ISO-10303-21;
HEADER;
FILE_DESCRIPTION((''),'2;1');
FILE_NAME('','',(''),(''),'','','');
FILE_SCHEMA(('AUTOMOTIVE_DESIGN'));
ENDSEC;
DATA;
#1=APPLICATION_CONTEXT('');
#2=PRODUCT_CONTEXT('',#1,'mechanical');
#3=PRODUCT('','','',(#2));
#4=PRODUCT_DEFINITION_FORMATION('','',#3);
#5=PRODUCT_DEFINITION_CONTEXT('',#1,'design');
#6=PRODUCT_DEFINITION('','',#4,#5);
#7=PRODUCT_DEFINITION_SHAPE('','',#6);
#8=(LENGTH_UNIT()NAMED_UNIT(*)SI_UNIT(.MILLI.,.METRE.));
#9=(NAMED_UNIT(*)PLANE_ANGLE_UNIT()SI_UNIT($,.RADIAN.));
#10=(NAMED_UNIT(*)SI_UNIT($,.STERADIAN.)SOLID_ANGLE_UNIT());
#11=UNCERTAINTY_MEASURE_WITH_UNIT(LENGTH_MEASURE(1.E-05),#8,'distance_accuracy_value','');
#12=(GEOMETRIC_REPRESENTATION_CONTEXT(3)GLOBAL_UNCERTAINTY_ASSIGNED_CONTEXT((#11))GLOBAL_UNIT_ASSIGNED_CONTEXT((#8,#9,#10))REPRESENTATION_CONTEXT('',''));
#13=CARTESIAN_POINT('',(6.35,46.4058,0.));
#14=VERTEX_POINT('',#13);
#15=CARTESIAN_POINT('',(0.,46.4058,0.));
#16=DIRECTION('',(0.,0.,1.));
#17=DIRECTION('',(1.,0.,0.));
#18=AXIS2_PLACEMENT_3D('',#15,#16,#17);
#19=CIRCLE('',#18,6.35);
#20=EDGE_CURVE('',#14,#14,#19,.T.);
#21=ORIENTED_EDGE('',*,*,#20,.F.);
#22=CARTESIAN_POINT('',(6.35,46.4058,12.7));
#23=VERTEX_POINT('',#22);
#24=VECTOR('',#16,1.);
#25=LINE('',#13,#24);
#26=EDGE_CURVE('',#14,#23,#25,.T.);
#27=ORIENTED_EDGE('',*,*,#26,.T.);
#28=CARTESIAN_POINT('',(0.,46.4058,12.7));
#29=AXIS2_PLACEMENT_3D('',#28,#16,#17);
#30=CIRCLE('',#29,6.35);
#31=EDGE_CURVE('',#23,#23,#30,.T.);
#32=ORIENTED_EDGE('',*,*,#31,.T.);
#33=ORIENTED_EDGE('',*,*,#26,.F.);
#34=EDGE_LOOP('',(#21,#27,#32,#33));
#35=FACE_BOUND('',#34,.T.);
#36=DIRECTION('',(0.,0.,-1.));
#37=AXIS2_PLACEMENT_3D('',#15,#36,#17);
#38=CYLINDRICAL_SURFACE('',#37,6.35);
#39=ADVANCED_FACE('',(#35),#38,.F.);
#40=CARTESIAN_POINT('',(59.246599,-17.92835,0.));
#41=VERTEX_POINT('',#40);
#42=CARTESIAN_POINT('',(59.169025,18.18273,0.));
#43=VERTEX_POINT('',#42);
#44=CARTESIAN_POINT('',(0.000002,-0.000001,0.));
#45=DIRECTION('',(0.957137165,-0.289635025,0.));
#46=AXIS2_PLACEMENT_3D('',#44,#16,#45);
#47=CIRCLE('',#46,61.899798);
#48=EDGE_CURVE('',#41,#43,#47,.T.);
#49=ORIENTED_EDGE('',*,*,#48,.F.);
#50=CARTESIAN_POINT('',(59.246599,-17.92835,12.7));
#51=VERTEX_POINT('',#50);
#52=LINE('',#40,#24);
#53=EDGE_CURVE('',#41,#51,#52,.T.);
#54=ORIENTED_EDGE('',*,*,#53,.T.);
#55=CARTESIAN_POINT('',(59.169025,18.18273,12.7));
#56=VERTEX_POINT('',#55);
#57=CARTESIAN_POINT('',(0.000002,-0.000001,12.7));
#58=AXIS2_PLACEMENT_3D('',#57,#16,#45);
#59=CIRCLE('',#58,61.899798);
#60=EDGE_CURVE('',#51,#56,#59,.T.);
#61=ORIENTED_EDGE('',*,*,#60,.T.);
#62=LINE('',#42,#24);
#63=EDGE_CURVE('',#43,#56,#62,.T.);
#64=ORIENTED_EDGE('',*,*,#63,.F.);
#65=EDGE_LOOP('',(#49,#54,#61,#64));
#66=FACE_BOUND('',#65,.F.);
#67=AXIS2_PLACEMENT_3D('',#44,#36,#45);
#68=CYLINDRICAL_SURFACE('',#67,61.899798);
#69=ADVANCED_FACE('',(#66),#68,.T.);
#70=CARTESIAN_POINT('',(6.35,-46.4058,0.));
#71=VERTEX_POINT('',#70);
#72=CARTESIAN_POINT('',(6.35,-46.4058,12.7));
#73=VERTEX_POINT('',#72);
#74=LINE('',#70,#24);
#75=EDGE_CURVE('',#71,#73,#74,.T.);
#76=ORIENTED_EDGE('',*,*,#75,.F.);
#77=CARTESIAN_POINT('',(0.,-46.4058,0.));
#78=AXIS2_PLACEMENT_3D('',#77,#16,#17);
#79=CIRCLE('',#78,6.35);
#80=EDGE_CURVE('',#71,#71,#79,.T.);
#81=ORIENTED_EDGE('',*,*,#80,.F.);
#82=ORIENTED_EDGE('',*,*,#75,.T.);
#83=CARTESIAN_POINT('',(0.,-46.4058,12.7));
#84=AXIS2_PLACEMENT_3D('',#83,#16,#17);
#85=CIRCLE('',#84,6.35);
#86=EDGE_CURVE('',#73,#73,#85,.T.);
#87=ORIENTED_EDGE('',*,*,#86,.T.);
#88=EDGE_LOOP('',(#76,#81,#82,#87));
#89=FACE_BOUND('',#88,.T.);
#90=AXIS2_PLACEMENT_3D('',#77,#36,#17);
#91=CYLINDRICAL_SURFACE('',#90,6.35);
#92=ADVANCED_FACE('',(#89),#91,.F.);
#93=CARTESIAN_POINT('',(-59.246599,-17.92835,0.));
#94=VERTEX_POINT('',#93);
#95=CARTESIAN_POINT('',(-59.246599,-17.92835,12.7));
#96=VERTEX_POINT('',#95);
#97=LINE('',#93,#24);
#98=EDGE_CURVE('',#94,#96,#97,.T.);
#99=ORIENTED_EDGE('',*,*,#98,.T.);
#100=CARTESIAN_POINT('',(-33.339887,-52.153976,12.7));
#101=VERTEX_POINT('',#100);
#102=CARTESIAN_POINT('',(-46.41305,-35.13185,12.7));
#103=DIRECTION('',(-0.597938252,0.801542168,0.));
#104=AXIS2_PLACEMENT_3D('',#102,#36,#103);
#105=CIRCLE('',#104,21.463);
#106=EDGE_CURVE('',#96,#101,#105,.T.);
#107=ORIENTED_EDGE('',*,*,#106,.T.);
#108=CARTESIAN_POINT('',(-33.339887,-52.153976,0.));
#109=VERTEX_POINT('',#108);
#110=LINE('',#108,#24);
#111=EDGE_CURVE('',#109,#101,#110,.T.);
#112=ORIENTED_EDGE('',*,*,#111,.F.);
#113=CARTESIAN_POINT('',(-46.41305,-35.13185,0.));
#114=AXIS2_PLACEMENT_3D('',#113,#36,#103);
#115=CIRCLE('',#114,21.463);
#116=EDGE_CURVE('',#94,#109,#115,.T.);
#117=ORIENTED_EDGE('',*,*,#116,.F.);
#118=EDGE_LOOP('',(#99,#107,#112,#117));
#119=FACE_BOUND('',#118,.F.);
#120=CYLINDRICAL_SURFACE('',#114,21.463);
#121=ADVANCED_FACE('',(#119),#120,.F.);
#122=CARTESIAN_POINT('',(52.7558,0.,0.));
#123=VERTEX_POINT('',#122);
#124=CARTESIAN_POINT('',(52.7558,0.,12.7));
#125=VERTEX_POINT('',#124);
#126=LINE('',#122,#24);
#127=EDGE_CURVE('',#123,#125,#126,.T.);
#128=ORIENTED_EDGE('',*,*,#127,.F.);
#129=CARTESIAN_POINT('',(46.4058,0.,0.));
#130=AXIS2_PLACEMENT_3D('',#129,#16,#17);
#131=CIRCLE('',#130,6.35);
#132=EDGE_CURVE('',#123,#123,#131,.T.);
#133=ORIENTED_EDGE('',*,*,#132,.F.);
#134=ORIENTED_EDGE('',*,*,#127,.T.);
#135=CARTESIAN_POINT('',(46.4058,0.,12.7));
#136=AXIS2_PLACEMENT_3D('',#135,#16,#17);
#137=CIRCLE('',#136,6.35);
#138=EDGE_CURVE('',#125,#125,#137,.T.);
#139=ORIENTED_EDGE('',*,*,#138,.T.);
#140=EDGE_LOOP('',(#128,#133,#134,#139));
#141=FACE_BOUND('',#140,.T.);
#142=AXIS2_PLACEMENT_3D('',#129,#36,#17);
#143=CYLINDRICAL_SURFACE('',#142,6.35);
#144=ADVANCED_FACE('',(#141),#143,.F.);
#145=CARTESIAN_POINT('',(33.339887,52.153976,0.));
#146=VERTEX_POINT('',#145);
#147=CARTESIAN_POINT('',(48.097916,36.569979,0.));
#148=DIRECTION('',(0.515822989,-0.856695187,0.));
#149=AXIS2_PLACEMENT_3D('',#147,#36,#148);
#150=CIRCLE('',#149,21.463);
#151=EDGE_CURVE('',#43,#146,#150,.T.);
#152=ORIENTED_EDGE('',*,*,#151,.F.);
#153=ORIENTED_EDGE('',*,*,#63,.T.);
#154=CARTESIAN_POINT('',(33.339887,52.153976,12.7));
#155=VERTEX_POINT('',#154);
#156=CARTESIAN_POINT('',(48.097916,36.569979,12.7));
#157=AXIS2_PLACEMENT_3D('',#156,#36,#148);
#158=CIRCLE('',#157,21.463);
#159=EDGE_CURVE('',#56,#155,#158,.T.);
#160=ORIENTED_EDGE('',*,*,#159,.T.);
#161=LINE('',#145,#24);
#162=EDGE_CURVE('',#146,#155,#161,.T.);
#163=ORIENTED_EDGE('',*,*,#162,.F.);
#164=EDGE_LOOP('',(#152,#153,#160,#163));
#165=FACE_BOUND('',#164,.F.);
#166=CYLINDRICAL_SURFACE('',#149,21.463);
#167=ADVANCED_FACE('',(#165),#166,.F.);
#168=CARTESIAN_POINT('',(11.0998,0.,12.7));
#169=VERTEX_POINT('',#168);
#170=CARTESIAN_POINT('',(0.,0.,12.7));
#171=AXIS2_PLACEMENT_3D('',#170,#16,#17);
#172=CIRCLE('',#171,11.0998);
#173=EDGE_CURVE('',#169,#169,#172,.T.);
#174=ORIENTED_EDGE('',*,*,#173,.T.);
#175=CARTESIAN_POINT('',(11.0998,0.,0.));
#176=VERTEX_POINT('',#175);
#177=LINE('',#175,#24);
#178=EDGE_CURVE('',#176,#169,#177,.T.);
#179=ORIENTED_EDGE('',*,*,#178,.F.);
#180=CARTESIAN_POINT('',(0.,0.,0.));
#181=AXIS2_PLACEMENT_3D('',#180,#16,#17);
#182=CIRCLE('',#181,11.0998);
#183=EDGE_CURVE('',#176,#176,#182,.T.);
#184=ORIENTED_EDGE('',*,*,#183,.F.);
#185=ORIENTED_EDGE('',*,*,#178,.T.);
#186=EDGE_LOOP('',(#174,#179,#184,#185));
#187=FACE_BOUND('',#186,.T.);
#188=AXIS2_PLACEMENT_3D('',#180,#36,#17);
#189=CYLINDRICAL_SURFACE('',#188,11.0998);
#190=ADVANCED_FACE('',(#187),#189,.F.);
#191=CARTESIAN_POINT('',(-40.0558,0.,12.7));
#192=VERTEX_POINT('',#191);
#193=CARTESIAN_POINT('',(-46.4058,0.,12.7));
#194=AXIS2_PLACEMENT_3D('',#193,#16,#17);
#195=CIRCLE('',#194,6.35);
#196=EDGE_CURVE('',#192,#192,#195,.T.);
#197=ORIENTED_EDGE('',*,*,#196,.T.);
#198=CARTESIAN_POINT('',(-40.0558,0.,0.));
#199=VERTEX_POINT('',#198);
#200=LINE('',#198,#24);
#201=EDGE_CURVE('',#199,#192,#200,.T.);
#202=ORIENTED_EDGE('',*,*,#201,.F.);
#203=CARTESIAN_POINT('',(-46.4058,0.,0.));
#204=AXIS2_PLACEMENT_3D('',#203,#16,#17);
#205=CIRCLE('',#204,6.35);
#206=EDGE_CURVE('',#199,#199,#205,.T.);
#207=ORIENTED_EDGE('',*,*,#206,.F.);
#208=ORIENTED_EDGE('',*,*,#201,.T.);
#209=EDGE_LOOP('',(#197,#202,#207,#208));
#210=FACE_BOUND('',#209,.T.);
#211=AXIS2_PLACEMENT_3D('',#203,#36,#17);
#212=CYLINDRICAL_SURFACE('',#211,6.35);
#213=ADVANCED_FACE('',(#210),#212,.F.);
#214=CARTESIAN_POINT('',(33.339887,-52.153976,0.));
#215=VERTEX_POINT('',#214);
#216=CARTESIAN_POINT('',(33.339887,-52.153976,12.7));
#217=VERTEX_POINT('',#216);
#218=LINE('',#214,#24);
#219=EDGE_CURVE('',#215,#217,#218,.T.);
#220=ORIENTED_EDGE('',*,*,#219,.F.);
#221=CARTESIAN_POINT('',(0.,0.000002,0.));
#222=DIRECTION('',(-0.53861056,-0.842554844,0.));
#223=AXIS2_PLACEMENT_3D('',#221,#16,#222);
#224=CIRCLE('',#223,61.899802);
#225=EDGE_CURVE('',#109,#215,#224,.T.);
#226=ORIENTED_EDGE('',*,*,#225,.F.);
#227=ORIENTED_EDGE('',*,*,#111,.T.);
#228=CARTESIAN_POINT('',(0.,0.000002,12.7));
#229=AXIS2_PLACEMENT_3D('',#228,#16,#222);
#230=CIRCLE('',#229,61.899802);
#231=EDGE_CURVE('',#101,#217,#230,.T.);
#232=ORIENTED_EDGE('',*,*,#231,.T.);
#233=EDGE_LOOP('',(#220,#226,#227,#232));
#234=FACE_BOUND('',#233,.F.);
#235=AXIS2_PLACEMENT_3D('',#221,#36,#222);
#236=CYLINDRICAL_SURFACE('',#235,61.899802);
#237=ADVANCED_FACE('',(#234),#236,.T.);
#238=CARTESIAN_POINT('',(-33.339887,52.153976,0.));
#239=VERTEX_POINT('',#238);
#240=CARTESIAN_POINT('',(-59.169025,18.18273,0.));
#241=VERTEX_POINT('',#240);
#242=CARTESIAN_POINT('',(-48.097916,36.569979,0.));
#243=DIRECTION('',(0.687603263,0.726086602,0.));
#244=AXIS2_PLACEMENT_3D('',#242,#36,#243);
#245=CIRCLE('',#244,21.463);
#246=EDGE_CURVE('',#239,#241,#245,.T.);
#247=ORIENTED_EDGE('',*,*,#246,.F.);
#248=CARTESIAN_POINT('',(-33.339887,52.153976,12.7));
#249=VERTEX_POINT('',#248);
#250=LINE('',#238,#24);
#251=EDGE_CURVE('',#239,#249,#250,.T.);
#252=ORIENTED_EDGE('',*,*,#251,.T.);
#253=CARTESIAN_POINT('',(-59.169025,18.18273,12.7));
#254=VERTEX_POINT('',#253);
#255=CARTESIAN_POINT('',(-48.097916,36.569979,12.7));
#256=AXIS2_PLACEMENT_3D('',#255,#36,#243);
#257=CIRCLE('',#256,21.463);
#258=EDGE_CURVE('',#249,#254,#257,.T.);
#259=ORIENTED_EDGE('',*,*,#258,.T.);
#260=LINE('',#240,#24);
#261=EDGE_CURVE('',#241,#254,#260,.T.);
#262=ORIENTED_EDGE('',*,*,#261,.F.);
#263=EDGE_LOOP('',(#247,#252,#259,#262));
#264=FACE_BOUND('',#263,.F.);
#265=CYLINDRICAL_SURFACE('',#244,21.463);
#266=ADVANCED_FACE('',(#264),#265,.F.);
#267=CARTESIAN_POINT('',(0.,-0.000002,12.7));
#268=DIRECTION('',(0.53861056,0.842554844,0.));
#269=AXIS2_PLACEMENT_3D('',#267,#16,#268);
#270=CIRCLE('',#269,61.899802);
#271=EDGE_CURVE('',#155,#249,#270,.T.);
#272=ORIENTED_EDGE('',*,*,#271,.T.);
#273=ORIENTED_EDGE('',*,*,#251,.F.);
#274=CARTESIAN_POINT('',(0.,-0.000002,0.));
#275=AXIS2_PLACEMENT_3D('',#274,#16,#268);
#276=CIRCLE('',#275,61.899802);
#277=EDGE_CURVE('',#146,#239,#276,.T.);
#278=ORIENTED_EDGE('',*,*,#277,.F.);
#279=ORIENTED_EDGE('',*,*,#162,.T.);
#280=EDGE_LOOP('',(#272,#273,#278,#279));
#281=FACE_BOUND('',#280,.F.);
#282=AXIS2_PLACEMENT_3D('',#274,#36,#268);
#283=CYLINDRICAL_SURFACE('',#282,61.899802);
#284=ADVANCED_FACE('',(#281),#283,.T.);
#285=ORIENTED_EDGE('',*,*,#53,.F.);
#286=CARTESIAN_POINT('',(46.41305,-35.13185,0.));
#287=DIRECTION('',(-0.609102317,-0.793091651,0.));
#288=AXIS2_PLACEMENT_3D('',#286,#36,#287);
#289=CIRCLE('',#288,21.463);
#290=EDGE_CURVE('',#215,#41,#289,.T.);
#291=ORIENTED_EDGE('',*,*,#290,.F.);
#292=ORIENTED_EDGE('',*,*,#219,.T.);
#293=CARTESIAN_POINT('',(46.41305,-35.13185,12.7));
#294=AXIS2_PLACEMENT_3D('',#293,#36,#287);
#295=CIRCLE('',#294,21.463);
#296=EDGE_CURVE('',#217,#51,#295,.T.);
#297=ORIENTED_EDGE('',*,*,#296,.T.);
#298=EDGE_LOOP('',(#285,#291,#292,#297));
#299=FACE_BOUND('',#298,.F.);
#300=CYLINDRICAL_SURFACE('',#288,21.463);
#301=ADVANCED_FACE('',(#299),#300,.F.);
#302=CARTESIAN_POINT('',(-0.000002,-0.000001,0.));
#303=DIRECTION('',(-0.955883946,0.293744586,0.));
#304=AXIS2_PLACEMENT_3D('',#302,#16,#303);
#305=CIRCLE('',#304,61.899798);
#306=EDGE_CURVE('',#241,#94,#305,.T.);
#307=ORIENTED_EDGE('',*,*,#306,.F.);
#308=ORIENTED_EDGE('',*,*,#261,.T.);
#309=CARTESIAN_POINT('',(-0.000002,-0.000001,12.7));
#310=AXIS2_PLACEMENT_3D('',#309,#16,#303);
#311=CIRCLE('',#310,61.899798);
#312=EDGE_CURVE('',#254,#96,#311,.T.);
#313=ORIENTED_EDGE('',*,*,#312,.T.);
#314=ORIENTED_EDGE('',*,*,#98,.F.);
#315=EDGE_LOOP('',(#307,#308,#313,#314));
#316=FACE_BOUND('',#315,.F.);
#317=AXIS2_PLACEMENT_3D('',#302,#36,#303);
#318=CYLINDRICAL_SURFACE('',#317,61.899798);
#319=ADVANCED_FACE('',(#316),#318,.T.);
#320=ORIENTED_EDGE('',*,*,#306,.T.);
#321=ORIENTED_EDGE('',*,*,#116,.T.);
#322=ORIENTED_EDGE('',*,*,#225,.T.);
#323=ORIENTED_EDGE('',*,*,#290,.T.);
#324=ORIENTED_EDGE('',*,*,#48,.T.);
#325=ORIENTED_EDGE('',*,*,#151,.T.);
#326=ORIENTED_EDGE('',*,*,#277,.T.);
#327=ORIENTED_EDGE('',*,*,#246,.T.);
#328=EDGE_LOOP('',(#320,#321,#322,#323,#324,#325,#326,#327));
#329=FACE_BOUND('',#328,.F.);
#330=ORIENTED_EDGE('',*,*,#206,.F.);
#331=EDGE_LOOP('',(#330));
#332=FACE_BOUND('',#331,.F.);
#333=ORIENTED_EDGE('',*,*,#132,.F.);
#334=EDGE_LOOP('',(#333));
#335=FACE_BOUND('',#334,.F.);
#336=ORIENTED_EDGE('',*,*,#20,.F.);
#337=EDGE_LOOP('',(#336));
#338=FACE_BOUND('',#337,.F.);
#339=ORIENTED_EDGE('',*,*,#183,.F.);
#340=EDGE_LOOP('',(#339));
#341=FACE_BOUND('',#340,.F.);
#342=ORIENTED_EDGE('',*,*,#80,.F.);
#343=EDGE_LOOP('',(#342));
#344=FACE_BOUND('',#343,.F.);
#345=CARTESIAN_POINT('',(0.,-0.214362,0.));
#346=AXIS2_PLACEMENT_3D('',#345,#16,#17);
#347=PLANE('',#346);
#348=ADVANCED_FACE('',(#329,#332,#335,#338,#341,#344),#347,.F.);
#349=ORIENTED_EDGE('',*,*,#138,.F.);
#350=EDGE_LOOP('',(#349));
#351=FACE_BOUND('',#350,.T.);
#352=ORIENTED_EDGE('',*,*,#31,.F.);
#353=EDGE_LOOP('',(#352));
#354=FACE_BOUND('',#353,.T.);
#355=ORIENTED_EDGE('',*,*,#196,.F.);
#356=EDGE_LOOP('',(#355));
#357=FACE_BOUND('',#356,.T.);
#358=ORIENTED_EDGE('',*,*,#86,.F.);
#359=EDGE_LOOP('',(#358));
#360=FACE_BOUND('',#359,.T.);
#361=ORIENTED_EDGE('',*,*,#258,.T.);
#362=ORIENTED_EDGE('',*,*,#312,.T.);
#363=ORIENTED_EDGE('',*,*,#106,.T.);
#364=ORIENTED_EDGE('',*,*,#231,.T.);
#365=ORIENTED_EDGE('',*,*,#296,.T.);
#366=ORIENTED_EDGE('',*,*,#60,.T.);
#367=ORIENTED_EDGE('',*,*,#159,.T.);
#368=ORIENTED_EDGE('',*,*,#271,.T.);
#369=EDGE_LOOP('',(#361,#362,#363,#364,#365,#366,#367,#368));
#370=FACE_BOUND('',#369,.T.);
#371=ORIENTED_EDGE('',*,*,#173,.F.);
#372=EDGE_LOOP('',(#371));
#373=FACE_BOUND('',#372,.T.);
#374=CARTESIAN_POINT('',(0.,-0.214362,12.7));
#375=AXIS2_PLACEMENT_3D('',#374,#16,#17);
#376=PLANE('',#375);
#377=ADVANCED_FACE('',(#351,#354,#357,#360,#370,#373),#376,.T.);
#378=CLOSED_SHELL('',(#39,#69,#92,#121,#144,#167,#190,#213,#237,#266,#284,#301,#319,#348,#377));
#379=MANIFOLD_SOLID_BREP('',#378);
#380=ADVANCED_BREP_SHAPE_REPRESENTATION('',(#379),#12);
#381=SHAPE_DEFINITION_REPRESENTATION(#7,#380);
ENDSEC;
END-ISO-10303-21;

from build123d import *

# Parameters (mm, degrees)
F1_R     = 6.35
F1_R_2   = 11.0998
F2_DEPTH = 12.7


with BuildPart() as f2:
    # F1 (on face) → F2 (new body)
    with BuildSketch(Plane.XY):
        with BuildLine():
            ThreePointArc((33.339887, 52.153976), (0, 61.8998), (-33.339887, 52.153976))
            ThreePointArc((-33.339887, 52.153976), (-31.01255, 23.579573), (-59.169025, 18.18273))
            ThreePointArc((-59.169025, 18.18273), (-61.899657, 0.132973), (-59.246599, -17.92835))
            ThreePointArc((-59.246599, -17.92835), (-29.299818, -22.178176), (-33.339887, -52.153976))
            ThreePointArc((-33.339887, -52.153976), (0, -61.8998), (33.339887, -52.153976))
            ThreePointArc((33.339887, -52.153976), (29.299818, -22.178176), (59.246599, -17.92835))
            ThreePointArc((59.246599, -17.92835), (61.899657, 0.132973), (59.169025, 18.18273))
            ThreePointArc((59.169025, 18.18273), (31.01255, 23.579573), (33.339887, 52.153976))
        make_face()
        with Locations((-46.4058, 0)):
            Circle(F1_R, mode=Mode.SUBTRACT)
        with Locations((0, -46.4058)):
            Circle(F1_R, mode=Mode.SUBTRACT)
        Circle(F1_R_2, mode=Mode.SUBTRACT)
        with Locations((46.4058, 0)):
            Circle(F1_R, mode=Mode.SUBTRACT)
        with Locations((0, 46.4058)):
            Circle(F1_R, mode=Mode.SUBTRACT)
    extrude(amount=F2_DEPTH)


solid = f2.part
